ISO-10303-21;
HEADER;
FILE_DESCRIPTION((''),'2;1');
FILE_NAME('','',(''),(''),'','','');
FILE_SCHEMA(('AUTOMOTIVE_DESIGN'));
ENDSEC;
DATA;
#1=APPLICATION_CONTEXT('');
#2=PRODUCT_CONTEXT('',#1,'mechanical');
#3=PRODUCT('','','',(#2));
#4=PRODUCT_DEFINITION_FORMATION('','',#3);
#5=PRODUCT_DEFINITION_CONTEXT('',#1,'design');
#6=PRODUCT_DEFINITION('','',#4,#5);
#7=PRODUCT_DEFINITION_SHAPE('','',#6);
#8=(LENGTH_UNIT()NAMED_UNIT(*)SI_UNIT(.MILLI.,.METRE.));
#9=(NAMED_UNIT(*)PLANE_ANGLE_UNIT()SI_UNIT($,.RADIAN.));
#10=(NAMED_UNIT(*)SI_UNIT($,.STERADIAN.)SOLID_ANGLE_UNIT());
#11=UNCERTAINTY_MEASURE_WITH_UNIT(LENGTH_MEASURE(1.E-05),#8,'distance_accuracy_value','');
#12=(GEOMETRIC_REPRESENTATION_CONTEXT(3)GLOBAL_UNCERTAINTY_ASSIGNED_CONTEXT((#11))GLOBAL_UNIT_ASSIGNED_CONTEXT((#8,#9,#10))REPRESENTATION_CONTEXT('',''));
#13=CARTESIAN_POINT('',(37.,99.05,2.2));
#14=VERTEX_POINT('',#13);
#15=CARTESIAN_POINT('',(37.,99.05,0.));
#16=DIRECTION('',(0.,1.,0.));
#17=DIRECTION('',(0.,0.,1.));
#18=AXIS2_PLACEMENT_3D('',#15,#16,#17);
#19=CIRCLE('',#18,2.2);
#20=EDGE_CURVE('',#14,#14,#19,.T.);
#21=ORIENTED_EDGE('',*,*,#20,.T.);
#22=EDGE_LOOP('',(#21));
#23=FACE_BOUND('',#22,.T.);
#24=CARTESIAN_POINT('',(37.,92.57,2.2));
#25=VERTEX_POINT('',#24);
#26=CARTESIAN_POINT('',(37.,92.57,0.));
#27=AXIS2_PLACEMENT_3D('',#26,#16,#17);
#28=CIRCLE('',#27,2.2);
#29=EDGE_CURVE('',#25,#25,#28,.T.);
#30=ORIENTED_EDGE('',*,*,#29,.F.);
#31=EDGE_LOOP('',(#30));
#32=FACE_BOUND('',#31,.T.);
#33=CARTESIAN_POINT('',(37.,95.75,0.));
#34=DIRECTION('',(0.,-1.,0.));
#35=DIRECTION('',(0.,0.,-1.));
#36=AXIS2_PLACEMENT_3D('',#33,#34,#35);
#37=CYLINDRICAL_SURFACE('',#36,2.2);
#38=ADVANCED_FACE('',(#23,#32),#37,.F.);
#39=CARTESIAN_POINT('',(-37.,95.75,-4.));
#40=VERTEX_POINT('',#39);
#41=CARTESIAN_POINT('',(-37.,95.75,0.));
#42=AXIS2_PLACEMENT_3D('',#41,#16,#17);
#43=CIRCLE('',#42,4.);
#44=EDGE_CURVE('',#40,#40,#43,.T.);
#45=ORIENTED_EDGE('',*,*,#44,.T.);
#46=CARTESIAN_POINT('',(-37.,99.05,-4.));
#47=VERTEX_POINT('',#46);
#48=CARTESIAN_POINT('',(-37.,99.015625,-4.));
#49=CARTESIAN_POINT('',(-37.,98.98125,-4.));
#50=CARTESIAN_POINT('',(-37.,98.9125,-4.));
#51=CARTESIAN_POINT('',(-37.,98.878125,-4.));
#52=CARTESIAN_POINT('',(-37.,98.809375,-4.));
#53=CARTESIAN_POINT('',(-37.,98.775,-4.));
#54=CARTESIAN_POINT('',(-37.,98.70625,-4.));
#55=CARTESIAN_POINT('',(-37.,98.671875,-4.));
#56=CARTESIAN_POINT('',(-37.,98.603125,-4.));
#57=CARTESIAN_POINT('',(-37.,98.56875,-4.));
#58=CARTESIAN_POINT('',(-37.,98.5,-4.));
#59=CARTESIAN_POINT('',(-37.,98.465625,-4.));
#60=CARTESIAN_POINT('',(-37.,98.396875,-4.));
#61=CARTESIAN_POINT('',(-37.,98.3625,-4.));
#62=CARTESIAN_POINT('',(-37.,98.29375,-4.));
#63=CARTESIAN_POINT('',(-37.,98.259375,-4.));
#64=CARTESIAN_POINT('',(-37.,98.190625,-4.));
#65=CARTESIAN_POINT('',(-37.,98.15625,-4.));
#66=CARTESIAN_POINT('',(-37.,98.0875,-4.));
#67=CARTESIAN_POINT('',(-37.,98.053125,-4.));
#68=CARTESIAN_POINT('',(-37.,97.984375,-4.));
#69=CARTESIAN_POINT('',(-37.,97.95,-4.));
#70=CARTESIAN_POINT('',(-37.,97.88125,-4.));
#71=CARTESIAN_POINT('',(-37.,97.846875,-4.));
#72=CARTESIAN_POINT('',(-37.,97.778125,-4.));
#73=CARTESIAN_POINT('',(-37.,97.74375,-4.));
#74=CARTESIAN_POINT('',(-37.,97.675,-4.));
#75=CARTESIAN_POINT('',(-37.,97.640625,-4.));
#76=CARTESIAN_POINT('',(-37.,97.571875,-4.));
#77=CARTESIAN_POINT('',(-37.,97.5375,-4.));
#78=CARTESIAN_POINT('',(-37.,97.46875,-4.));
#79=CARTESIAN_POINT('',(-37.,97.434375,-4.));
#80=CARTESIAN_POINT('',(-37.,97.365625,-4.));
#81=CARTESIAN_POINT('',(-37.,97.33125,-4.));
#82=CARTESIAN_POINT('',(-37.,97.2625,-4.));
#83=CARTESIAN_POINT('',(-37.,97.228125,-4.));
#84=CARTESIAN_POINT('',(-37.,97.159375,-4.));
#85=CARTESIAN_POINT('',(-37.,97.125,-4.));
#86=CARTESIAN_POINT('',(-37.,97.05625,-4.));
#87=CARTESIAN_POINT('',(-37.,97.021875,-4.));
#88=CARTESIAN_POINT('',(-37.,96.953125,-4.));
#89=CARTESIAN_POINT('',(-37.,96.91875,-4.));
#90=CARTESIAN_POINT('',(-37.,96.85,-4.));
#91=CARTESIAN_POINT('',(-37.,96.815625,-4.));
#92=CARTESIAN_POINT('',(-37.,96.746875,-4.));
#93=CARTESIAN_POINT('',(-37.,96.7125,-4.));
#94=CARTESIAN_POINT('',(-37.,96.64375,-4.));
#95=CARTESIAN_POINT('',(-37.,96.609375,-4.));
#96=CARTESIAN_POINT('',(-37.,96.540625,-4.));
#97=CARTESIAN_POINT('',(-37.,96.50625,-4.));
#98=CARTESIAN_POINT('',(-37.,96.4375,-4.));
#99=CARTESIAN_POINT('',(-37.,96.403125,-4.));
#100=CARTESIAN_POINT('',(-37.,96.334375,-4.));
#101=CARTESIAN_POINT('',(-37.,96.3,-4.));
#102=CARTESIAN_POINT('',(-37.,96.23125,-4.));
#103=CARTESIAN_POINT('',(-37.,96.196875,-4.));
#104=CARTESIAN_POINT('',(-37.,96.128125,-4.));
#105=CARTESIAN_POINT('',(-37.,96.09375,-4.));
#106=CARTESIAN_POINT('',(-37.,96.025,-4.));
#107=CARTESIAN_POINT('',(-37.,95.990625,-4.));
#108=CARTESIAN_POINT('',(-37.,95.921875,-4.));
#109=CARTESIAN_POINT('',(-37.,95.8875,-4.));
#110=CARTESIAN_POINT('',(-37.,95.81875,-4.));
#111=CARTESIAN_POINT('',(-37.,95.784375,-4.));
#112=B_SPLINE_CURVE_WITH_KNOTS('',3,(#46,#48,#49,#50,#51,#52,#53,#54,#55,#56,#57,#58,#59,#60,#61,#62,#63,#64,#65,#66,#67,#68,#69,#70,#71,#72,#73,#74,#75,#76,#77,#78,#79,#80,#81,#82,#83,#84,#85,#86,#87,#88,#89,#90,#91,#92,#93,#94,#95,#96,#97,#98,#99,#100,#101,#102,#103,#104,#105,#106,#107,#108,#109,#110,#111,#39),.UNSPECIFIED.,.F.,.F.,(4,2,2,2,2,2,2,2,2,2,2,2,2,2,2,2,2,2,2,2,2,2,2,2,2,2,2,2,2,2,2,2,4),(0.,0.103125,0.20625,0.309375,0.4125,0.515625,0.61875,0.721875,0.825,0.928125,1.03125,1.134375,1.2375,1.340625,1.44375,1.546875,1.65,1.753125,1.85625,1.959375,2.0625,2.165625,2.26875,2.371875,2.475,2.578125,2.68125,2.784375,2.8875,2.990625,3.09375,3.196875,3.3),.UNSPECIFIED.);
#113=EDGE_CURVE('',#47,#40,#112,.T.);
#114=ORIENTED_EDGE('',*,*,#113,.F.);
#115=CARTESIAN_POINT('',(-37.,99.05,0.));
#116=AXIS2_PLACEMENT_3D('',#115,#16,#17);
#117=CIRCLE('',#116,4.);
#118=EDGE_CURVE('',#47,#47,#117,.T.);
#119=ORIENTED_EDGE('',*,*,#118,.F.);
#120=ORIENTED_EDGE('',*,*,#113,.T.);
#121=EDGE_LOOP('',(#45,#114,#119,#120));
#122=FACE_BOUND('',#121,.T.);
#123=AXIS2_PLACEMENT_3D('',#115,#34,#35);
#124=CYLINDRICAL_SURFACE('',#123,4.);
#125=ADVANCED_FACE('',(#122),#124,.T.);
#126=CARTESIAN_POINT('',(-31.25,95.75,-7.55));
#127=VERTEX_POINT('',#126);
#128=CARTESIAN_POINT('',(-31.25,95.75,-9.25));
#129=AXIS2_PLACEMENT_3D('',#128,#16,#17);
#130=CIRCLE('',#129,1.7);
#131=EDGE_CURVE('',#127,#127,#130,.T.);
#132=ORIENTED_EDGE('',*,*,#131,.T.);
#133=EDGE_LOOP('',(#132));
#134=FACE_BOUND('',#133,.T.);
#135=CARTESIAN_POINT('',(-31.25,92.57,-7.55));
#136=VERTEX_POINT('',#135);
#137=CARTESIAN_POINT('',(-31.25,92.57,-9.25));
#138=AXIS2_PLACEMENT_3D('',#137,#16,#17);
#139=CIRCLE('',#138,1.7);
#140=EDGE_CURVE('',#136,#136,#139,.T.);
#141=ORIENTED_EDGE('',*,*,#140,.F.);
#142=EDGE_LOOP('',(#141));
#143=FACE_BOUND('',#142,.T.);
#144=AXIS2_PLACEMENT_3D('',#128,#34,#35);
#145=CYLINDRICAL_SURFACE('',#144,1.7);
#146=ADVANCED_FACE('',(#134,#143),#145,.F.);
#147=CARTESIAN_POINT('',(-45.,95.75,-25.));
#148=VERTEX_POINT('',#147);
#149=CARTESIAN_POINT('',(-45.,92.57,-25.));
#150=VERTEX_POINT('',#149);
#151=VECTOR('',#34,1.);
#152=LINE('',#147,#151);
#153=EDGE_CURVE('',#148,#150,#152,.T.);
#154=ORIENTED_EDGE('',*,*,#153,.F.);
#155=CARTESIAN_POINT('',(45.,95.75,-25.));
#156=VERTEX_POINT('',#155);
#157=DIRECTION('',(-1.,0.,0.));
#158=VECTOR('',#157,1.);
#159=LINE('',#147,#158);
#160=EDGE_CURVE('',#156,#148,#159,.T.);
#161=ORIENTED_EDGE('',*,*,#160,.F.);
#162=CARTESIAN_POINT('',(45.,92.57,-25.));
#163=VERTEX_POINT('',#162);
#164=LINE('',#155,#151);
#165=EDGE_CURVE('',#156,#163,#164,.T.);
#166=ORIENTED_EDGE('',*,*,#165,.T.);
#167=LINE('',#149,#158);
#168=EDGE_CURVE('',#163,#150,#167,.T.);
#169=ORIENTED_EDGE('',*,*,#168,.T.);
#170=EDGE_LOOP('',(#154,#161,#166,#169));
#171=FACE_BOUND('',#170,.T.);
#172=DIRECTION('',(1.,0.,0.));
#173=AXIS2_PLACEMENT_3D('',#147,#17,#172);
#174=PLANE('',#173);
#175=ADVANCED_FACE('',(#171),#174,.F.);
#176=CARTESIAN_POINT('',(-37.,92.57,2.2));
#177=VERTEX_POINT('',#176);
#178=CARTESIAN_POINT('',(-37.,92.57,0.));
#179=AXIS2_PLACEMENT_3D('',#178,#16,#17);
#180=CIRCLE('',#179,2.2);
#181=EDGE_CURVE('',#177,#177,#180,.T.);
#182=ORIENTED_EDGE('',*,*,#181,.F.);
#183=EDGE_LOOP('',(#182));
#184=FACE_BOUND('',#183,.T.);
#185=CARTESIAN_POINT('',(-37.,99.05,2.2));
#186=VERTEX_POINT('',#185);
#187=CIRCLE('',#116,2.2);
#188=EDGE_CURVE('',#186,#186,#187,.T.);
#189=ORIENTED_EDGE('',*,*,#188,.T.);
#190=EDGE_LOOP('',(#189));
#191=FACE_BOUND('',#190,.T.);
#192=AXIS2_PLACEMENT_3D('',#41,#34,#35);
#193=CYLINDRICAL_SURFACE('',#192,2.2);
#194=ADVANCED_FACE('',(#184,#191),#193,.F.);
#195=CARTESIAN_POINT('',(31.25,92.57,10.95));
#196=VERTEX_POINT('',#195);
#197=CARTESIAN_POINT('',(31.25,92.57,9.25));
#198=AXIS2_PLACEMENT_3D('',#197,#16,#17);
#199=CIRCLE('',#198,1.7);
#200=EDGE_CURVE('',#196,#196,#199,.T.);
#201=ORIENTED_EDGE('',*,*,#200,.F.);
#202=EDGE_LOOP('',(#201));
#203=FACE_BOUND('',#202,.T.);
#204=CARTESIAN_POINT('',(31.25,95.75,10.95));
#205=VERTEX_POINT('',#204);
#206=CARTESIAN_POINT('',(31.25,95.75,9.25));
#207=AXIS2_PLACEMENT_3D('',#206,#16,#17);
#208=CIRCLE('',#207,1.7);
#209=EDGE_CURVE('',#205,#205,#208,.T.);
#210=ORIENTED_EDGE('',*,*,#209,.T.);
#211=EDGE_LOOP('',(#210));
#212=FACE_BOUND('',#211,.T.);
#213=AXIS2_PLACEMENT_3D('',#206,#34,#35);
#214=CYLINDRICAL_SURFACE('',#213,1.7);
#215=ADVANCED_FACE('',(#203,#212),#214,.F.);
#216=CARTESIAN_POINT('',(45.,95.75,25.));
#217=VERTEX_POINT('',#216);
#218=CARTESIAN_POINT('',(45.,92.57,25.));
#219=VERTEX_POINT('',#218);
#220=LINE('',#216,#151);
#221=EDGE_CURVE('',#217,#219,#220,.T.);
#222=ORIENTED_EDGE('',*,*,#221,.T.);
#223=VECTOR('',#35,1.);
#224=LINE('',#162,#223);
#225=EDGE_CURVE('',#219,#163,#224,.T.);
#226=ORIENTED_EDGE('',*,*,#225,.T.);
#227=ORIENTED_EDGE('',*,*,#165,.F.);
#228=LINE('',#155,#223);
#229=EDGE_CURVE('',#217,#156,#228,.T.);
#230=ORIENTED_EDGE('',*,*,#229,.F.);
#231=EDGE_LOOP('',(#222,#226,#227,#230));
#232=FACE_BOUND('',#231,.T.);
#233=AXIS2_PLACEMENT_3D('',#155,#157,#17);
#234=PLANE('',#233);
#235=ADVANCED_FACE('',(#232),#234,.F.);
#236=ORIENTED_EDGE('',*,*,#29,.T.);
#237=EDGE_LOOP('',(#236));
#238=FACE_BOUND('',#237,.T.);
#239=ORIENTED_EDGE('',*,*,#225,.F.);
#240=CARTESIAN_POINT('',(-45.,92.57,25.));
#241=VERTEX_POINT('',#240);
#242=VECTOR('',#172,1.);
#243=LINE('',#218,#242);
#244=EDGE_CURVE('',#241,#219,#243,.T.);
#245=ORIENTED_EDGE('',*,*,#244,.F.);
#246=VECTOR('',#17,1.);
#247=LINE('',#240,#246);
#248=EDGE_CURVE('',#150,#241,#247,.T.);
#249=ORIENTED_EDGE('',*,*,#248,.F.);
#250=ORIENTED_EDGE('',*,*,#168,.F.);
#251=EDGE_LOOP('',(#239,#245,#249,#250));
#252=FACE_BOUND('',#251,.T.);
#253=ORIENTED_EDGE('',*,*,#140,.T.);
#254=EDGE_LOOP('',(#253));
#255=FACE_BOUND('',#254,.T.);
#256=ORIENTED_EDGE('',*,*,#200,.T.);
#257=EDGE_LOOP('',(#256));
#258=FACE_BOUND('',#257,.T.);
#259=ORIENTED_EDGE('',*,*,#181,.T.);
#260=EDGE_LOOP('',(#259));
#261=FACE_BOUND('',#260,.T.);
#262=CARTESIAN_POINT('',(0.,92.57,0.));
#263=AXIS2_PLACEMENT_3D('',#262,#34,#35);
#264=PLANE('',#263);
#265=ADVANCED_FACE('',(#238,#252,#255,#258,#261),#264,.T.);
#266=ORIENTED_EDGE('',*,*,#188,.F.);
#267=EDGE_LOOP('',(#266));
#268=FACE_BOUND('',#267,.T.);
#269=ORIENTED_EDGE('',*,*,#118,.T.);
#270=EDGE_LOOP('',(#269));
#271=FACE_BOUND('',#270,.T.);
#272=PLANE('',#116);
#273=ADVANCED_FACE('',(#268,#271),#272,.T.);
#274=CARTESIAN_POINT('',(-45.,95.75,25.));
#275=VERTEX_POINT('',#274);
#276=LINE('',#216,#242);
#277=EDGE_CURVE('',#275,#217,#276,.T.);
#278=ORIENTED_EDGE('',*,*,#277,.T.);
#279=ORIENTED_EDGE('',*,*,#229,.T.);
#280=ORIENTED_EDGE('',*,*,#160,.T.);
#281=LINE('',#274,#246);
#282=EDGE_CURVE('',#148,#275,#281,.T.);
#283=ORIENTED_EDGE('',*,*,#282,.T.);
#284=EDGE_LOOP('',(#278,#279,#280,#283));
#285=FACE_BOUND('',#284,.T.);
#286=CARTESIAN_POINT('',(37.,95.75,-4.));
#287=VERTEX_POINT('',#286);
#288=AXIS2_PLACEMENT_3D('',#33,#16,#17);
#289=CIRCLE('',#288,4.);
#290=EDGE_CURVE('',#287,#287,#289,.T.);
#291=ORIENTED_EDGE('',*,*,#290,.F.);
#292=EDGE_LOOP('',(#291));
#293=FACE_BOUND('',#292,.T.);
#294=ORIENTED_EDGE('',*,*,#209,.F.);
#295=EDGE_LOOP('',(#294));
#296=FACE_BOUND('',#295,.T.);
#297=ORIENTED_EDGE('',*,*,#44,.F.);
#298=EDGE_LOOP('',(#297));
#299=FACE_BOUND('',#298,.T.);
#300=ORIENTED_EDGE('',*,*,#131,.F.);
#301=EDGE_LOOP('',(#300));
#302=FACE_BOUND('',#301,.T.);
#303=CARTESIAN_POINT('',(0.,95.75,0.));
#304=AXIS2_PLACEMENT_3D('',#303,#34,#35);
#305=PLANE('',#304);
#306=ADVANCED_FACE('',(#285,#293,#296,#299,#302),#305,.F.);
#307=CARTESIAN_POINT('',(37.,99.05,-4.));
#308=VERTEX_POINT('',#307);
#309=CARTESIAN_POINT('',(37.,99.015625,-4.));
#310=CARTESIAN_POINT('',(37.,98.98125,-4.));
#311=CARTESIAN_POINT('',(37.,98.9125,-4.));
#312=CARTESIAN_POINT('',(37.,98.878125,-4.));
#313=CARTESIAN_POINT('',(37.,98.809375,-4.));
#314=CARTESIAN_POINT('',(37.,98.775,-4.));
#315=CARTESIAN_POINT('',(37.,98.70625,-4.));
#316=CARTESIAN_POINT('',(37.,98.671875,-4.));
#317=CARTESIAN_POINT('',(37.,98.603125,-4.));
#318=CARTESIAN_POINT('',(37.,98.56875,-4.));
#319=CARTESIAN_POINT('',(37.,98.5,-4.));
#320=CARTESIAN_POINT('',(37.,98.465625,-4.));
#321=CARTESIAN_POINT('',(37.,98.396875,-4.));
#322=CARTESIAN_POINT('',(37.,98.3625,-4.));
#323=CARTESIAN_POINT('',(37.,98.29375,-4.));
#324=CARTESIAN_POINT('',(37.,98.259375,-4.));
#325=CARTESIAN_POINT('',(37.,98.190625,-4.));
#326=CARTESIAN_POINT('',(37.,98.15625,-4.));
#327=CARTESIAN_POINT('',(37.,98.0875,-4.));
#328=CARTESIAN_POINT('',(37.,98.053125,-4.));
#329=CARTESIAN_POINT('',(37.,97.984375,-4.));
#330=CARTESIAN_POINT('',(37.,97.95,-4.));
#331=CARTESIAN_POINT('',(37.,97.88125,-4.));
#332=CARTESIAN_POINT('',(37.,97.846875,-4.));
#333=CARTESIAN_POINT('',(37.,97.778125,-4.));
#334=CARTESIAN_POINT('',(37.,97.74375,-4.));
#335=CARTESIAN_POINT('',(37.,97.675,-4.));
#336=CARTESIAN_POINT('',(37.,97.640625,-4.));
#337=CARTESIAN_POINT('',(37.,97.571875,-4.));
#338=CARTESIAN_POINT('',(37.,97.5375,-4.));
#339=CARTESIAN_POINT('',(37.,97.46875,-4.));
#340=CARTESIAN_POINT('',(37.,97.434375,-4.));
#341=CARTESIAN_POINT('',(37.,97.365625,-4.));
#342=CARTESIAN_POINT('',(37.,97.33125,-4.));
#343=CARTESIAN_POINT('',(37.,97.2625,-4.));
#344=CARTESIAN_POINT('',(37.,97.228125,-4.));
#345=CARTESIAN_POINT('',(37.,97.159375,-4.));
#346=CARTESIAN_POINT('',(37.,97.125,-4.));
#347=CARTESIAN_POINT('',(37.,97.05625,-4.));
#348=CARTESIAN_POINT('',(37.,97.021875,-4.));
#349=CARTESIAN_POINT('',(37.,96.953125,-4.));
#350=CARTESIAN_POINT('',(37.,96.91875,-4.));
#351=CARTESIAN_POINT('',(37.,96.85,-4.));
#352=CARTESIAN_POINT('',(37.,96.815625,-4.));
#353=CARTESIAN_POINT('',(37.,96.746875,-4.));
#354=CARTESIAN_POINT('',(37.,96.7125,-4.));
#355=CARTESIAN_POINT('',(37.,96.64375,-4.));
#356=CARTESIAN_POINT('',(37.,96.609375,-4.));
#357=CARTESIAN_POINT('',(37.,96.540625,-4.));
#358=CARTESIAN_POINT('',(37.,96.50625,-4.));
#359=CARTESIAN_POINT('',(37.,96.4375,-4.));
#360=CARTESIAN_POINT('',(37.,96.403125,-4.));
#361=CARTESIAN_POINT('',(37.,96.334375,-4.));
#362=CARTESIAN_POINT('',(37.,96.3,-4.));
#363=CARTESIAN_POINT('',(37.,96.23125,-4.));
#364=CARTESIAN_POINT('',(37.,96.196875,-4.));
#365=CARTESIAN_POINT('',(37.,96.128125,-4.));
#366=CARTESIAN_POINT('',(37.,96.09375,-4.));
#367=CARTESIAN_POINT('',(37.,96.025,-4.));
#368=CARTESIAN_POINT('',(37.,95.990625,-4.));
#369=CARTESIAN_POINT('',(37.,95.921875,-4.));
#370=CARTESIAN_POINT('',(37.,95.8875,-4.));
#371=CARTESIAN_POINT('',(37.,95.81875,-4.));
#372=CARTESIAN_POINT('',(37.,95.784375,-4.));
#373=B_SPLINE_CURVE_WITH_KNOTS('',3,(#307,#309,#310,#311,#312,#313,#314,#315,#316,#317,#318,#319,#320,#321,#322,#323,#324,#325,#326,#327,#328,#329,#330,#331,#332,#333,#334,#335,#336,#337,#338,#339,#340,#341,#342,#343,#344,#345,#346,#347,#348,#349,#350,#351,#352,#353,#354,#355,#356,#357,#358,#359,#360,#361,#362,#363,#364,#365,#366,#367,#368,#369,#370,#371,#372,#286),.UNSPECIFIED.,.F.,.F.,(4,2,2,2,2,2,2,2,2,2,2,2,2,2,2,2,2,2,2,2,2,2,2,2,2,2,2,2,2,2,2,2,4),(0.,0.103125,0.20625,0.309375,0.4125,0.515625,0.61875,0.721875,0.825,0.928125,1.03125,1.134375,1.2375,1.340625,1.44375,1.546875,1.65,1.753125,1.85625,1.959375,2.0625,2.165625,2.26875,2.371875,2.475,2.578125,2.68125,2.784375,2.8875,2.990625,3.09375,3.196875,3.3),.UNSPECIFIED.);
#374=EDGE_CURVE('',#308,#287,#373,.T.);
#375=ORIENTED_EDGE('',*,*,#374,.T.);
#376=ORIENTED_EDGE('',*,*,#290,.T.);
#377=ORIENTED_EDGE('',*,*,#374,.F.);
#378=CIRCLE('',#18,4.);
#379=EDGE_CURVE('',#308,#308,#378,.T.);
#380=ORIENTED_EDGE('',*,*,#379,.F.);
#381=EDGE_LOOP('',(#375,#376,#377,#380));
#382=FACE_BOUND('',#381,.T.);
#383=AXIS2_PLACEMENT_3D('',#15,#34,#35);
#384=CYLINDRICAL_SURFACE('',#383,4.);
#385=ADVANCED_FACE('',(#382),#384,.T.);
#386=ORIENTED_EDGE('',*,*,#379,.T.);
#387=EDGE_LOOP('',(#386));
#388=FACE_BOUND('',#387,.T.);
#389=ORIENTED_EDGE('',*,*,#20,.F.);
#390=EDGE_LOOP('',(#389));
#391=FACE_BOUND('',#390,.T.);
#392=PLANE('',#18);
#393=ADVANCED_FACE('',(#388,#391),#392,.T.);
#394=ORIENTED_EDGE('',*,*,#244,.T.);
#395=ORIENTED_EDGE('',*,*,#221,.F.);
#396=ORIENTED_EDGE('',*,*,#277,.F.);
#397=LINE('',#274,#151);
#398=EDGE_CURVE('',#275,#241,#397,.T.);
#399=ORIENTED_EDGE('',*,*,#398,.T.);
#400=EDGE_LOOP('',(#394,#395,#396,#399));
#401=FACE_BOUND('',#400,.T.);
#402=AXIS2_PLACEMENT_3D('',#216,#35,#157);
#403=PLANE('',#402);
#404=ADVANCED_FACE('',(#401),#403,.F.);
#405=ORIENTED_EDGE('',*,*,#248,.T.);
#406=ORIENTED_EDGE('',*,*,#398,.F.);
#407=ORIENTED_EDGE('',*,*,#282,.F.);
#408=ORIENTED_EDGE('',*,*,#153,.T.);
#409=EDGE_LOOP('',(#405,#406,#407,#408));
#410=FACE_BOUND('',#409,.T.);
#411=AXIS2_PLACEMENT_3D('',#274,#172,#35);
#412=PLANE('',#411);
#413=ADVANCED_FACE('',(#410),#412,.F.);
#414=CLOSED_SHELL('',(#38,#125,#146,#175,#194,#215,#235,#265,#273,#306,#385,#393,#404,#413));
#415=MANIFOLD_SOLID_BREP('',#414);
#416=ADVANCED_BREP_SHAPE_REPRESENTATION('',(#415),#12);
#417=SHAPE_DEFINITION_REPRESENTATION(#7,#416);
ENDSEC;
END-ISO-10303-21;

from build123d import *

# Parameters (mm, degrees)
PLATE_START      = 92.57
PLATE_SKETCH_W   = 90
PLATE_SKETCH_H   = 50
PLATE_SKETCH_R   = 2.2
PLATE_SKETCH_R_2 = 1.7
PLATE_DEPTH      = 3.18
PADS_START       = 95.75
PADS_SKETCH_R    = 4
PADS_SKETCH_R_2  = 2.2
PADS_DEPTH       = 3.3


with BuildPart() as part:
    # Plate Sketch → Plate (new body)
    with BuildSketch(Plane(origin=(0, 0, 0), x_dir=(1, 0, 0), z_dir=(0, 1, 0)).offset(PLATE_START)):
        Rectangle(PLATE_SKETCH_W, PLATE_SKETCH_H)
        with Locations((-37, 0)):
            Circle(PLATE_SKETCH_R, mode=Mode.SUBTRACT)
        with Locations((37, 0)):
            Circle(PLATE_SKETCH_R, mode=Mode.SUBTRACT)
        with Locations((-31.25, 9.25)):
            Circle(PLATE_SKETCH_R_2, mode=Mode.SUBTRACT)
        with Locations((31.25, -9.25)):
            Circle(PLATE_SKETCH_R_2, mode=Mode.SUBTRACT)
    extrude(amount=PLATE_DEPTH)

    # Pads Sketch → Pads (add)
    # profile 1 of 2: a face of its own
    with BuildSketch(Plane(origin=(0, 0, 0), x_dir=(1, 0, 0), z_dir=(0, 1, 0)).offset(PADS_START)):
        with Locations((-37, 0)):
            Circle(PADS_SKETCH_R)
        with Locations((-37, 0)):
            Circle(PADS_SKETCH_R_2, mode=Mode.SUBTRACT)
    # profile 2 of 2: a face of its own
    with BuildSketch(Plane(origin=(0, 0, 0), x_dir=(1, 0, 0), z_dir=(0, 1, 0)).offset(PADS_START)):
        with Locations((37, 0)):
            Circle(PADS_SKETCH_R)
        with Locations((37, 0)):
            Circle(PADS_SKETCH_R_2, mode=Mode.SUBTRACT)
    extrude(amount=PADS_DEPTH)


solid = part.part
